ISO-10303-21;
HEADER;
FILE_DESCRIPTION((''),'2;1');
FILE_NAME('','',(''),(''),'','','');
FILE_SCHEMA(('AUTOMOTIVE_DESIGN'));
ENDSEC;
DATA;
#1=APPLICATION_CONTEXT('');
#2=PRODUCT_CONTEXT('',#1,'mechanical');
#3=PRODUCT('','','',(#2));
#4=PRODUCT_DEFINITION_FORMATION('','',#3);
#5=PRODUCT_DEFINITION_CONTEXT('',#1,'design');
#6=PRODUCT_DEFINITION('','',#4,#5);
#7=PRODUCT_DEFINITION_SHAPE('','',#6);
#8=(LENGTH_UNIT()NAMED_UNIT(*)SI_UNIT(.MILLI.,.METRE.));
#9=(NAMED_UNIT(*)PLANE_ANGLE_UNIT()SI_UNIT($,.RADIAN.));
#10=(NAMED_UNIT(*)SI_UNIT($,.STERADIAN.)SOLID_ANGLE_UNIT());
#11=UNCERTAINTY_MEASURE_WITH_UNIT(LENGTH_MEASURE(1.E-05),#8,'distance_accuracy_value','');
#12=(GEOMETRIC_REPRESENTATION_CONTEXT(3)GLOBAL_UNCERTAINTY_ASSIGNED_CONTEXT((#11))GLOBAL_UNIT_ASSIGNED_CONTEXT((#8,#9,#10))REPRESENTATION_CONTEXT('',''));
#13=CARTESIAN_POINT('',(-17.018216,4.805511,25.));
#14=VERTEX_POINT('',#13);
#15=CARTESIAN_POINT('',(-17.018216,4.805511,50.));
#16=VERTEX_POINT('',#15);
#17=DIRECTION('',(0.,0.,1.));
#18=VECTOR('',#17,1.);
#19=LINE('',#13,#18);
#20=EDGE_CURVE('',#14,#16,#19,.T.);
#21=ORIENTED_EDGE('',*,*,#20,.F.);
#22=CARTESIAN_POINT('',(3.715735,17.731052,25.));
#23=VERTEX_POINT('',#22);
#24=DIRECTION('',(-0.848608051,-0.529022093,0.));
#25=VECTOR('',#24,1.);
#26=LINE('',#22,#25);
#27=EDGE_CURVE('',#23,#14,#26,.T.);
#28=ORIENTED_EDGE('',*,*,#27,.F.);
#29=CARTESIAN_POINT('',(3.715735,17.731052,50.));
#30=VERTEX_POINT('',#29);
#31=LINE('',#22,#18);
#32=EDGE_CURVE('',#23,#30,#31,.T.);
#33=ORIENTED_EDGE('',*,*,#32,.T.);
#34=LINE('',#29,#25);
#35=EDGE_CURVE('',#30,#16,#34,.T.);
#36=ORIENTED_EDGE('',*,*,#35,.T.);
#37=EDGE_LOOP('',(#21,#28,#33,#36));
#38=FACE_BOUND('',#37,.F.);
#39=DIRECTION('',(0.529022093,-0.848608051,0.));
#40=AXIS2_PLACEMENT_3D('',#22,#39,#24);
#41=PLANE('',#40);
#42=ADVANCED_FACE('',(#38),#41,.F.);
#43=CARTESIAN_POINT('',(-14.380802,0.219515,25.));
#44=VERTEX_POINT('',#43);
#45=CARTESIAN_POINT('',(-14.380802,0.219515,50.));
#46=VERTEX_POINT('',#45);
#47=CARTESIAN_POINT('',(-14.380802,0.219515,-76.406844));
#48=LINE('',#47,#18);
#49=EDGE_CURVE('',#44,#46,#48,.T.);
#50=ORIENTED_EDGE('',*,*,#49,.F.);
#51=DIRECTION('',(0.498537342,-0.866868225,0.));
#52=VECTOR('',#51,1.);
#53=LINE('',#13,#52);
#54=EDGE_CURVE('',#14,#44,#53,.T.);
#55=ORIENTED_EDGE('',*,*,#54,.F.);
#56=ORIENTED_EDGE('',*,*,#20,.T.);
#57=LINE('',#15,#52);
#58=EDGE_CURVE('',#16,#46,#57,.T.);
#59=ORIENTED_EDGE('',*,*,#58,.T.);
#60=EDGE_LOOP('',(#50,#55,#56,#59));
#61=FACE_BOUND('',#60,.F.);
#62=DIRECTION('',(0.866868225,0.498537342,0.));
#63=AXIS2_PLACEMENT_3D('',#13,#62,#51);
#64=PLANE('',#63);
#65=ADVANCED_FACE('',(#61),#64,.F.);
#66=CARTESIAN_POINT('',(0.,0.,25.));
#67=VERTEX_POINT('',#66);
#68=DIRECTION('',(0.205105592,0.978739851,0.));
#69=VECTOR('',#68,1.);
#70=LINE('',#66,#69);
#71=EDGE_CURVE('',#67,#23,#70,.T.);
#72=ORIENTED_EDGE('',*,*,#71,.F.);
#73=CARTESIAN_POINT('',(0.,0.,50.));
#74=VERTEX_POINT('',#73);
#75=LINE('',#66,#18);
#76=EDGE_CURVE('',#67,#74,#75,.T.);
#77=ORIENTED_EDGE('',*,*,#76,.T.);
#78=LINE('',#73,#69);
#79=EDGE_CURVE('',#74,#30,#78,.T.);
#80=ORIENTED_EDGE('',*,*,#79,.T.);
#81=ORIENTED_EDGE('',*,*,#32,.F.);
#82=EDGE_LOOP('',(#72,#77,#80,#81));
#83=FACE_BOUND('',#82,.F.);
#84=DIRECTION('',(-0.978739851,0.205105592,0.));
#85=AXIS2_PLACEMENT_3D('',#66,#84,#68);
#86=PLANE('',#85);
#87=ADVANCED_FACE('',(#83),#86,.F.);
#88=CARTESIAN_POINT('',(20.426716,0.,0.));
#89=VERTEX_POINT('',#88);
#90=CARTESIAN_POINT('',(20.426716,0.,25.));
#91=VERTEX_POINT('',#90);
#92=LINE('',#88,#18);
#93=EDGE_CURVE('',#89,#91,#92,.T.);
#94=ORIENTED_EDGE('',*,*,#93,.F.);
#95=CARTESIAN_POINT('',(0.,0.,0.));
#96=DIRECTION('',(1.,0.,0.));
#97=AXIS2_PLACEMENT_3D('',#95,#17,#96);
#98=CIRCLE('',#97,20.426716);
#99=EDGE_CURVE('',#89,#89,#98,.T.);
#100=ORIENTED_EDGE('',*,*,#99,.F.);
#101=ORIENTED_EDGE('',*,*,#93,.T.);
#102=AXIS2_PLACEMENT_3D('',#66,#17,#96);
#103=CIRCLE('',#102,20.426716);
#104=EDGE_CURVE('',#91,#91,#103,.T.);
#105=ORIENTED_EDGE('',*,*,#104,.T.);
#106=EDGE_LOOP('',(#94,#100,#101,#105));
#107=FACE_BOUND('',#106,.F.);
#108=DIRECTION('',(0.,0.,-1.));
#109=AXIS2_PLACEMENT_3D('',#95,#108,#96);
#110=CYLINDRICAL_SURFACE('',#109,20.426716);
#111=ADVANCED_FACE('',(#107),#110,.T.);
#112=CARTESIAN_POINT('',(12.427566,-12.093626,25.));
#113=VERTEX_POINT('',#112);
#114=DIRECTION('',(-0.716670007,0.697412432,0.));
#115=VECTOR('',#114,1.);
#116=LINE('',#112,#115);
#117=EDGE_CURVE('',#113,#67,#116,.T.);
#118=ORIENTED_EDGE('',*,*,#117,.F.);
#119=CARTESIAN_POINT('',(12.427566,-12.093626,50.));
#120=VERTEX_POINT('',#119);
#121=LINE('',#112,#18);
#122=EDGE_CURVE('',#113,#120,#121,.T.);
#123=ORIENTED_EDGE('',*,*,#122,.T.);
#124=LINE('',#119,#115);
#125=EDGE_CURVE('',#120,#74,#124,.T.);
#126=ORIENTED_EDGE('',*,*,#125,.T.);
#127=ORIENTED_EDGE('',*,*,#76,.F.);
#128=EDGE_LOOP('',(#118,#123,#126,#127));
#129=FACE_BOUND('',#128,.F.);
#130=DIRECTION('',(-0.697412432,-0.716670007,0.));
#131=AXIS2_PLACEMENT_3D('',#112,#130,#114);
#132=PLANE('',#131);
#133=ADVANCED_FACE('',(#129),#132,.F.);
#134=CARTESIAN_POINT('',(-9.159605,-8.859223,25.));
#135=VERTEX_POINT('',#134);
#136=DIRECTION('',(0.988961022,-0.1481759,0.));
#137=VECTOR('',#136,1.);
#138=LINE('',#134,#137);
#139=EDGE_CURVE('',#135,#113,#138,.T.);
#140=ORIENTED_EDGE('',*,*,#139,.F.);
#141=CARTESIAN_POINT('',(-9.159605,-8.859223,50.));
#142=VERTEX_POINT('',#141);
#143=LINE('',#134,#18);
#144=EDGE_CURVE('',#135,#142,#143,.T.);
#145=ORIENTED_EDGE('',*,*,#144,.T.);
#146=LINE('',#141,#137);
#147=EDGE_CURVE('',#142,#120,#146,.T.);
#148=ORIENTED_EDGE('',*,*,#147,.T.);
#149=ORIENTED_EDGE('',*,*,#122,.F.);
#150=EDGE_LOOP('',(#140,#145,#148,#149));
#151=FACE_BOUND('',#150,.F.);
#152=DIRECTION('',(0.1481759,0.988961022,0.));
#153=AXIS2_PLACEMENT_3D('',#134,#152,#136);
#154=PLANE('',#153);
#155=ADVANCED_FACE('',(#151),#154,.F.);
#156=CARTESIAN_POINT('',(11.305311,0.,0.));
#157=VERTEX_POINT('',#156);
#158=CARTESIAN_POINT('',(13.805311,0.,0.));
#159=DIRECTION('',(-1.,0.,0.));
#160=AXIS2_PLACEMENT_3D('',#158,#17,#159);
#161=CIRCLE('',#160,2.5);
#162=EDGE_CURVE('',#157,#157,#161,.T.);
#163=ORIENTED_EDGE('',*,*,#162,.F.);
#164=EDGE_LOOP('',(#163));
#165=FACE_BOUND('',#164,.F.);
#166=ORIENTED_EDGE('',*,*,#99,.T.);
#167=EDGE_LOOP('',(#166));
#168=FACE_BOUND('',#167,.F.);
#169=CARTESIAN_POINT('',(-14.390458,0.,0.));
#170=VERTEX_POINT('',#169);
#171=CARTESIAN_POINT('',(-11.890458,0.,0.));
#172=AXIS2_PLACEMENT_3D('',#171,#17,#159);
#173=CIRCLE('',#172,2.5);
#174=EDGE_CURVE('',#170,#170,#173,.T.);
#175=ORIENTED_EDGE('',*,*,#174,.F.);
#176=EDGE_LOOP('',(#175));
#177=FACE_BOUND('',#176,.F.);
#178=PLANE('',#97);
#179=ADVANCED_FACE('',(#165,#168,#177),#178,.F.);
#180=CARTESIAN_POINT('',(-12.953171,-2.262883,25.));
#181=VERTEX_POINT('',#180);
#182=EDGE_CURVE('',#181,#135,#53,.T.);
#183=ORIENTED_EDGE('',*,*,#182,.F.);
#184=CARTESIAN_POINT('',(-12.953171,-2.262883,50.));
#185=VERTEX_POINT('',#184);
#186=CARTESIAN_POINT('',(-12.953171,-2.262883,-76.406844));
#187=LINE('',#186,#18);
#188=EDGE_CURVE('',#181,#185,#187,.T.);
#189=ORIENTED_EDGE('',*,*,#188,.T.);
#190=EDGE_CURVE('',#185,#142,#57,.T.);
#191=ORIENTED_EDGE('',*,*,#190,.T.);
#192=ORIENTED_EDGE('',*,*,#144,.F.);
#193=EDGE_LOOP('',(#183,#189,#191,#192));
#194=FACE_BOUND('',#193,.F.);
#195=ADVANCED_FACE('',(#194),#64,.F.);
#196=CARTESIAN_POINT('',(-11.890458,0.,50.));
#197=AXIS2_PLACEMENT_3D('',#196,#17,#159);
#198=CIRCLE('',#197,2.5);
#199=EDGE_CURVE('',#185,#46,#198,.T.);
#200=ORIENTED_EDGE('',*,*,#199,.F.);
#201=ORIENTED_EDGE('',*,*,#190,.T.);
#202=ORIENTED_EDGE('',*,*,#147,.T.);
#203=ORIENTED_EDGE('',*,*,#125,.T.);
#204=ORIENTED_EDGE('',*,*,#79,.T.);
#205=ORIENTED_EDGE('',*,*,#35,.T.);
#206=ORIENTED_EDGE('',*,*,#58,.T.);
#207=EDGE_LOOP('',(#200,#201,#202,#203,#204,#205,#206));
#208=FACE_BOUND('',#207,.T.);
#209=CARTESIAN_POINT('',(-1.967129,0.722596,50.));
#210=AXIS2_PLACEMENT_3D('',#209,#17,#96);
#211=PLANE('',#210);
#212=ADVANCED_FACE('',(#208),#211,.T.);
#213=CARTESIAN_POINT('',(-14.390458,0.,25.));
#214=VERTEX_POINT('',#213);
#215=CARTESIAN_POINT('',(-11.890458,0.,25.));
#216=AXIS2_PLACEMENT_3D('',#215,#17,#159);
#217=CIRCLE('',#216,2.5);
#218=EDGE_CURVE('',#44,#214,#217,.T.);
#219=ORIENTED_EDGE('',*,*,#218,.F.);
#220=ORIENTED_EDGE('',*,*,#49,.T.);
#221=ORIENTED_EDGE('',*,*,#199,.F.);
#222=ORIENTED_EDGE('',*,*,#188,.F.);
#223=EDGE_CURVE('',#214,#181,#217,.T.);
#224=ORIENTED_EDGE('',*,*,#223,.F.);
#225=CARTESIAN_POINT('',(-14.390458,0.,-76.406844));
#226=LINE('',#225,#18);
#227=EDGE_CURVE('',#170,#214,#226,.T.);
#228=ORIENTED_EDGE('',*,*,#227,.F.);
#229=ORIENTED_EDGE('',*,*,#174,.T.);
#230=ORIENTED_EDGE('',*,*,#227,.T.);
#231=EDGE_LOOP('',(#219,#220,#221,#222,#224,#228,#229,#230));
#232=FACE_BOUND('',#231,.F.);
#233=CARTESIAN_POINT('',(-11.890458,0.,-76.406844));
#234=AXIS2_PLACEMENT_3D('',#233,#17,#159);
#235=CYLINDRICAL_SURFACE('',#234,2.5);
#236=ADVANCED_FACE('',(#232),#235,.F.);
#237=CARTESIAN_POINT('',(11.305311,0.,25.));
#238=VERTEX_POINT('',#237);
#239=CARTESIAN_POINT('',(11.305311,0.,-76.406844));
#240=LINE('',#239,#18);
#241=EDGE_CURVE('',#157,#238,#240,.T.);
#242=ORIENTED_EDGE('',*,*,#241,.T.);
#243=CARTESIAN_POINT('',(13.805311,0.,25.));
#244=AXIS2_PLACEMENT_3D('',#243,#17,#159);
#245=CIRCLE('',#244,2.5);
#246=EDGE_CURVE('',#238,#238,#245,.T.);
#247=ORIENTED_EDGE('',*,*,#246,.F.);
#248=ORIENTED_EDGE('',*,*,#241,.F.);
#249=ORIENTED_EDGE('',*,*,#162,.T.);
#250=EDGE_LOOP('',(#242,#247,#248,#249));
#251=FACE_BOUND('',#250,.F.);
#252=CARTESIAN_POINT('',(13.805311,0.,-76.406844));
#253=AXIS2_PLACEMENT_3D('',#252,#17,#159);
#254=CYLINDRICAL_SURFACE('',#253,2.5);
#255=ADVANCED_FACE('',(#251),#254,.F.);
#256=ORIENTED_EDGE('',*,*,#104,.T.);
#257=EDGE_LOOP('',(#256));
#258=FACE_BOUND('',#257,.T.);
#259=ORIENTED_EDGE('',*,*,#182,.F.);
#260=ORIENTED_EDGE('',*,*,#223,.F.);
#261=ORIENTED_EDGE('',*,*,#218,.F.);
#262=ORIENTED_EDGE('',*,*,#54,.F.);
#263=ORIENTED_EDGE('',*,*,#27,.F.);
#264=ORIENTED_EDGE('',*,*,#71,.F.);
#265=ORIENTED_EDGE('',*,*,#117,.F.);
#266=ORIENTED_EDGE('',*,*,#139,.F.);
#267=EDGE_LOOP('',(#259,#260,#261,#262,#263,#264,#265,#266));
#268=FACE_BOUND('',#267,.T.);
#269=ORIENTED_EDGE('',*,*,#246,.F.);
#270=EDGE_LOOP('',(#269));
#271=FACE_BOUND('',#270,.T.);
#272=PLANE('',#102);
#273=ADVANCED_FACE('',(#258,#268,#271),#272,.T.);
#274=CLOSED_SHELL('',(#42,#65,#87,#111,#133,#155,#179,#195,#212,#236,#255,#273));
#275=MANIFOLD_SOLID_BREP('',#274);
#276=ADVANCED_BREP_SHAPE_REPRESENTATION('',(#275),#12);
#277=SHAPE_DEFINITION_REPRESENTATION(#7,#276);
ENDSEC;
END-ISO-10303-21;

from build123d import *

# Parameters (mm, degrees)
F0_R     = 20.426716
F1_DEPTH = 25
F3_DEPTH = 25
F5_D     = 5


with BuildPart() as f1:
    # F0 (on Top) → F1 (new body)
    with BuildSketch(Plane.XY):
        Circle(F0_R)
    extrude(amount=F1_DEPTH)

    # F2 (on face) → F3 (join)
    with BuildSketch(Plane.XY.offset(25)):
        Polygon((-9.159605, -8.859223), (12.427566, -12.093626), (0, 0), (3.715735, 17.731052), (-17.018216, 4.805511), align=None)
    extrude(amount=F3_DEPTH)

    # F5 (through all)
    with Locations(Plane(origin=(0, 0, 0), x_dir=(1, 0, 0), z_dir=(0, 0, -1))):
        with Locations((-11.890458, 0), (13.805311, 0)):
            Hole(F5_D / 2)


solid = f1.part
